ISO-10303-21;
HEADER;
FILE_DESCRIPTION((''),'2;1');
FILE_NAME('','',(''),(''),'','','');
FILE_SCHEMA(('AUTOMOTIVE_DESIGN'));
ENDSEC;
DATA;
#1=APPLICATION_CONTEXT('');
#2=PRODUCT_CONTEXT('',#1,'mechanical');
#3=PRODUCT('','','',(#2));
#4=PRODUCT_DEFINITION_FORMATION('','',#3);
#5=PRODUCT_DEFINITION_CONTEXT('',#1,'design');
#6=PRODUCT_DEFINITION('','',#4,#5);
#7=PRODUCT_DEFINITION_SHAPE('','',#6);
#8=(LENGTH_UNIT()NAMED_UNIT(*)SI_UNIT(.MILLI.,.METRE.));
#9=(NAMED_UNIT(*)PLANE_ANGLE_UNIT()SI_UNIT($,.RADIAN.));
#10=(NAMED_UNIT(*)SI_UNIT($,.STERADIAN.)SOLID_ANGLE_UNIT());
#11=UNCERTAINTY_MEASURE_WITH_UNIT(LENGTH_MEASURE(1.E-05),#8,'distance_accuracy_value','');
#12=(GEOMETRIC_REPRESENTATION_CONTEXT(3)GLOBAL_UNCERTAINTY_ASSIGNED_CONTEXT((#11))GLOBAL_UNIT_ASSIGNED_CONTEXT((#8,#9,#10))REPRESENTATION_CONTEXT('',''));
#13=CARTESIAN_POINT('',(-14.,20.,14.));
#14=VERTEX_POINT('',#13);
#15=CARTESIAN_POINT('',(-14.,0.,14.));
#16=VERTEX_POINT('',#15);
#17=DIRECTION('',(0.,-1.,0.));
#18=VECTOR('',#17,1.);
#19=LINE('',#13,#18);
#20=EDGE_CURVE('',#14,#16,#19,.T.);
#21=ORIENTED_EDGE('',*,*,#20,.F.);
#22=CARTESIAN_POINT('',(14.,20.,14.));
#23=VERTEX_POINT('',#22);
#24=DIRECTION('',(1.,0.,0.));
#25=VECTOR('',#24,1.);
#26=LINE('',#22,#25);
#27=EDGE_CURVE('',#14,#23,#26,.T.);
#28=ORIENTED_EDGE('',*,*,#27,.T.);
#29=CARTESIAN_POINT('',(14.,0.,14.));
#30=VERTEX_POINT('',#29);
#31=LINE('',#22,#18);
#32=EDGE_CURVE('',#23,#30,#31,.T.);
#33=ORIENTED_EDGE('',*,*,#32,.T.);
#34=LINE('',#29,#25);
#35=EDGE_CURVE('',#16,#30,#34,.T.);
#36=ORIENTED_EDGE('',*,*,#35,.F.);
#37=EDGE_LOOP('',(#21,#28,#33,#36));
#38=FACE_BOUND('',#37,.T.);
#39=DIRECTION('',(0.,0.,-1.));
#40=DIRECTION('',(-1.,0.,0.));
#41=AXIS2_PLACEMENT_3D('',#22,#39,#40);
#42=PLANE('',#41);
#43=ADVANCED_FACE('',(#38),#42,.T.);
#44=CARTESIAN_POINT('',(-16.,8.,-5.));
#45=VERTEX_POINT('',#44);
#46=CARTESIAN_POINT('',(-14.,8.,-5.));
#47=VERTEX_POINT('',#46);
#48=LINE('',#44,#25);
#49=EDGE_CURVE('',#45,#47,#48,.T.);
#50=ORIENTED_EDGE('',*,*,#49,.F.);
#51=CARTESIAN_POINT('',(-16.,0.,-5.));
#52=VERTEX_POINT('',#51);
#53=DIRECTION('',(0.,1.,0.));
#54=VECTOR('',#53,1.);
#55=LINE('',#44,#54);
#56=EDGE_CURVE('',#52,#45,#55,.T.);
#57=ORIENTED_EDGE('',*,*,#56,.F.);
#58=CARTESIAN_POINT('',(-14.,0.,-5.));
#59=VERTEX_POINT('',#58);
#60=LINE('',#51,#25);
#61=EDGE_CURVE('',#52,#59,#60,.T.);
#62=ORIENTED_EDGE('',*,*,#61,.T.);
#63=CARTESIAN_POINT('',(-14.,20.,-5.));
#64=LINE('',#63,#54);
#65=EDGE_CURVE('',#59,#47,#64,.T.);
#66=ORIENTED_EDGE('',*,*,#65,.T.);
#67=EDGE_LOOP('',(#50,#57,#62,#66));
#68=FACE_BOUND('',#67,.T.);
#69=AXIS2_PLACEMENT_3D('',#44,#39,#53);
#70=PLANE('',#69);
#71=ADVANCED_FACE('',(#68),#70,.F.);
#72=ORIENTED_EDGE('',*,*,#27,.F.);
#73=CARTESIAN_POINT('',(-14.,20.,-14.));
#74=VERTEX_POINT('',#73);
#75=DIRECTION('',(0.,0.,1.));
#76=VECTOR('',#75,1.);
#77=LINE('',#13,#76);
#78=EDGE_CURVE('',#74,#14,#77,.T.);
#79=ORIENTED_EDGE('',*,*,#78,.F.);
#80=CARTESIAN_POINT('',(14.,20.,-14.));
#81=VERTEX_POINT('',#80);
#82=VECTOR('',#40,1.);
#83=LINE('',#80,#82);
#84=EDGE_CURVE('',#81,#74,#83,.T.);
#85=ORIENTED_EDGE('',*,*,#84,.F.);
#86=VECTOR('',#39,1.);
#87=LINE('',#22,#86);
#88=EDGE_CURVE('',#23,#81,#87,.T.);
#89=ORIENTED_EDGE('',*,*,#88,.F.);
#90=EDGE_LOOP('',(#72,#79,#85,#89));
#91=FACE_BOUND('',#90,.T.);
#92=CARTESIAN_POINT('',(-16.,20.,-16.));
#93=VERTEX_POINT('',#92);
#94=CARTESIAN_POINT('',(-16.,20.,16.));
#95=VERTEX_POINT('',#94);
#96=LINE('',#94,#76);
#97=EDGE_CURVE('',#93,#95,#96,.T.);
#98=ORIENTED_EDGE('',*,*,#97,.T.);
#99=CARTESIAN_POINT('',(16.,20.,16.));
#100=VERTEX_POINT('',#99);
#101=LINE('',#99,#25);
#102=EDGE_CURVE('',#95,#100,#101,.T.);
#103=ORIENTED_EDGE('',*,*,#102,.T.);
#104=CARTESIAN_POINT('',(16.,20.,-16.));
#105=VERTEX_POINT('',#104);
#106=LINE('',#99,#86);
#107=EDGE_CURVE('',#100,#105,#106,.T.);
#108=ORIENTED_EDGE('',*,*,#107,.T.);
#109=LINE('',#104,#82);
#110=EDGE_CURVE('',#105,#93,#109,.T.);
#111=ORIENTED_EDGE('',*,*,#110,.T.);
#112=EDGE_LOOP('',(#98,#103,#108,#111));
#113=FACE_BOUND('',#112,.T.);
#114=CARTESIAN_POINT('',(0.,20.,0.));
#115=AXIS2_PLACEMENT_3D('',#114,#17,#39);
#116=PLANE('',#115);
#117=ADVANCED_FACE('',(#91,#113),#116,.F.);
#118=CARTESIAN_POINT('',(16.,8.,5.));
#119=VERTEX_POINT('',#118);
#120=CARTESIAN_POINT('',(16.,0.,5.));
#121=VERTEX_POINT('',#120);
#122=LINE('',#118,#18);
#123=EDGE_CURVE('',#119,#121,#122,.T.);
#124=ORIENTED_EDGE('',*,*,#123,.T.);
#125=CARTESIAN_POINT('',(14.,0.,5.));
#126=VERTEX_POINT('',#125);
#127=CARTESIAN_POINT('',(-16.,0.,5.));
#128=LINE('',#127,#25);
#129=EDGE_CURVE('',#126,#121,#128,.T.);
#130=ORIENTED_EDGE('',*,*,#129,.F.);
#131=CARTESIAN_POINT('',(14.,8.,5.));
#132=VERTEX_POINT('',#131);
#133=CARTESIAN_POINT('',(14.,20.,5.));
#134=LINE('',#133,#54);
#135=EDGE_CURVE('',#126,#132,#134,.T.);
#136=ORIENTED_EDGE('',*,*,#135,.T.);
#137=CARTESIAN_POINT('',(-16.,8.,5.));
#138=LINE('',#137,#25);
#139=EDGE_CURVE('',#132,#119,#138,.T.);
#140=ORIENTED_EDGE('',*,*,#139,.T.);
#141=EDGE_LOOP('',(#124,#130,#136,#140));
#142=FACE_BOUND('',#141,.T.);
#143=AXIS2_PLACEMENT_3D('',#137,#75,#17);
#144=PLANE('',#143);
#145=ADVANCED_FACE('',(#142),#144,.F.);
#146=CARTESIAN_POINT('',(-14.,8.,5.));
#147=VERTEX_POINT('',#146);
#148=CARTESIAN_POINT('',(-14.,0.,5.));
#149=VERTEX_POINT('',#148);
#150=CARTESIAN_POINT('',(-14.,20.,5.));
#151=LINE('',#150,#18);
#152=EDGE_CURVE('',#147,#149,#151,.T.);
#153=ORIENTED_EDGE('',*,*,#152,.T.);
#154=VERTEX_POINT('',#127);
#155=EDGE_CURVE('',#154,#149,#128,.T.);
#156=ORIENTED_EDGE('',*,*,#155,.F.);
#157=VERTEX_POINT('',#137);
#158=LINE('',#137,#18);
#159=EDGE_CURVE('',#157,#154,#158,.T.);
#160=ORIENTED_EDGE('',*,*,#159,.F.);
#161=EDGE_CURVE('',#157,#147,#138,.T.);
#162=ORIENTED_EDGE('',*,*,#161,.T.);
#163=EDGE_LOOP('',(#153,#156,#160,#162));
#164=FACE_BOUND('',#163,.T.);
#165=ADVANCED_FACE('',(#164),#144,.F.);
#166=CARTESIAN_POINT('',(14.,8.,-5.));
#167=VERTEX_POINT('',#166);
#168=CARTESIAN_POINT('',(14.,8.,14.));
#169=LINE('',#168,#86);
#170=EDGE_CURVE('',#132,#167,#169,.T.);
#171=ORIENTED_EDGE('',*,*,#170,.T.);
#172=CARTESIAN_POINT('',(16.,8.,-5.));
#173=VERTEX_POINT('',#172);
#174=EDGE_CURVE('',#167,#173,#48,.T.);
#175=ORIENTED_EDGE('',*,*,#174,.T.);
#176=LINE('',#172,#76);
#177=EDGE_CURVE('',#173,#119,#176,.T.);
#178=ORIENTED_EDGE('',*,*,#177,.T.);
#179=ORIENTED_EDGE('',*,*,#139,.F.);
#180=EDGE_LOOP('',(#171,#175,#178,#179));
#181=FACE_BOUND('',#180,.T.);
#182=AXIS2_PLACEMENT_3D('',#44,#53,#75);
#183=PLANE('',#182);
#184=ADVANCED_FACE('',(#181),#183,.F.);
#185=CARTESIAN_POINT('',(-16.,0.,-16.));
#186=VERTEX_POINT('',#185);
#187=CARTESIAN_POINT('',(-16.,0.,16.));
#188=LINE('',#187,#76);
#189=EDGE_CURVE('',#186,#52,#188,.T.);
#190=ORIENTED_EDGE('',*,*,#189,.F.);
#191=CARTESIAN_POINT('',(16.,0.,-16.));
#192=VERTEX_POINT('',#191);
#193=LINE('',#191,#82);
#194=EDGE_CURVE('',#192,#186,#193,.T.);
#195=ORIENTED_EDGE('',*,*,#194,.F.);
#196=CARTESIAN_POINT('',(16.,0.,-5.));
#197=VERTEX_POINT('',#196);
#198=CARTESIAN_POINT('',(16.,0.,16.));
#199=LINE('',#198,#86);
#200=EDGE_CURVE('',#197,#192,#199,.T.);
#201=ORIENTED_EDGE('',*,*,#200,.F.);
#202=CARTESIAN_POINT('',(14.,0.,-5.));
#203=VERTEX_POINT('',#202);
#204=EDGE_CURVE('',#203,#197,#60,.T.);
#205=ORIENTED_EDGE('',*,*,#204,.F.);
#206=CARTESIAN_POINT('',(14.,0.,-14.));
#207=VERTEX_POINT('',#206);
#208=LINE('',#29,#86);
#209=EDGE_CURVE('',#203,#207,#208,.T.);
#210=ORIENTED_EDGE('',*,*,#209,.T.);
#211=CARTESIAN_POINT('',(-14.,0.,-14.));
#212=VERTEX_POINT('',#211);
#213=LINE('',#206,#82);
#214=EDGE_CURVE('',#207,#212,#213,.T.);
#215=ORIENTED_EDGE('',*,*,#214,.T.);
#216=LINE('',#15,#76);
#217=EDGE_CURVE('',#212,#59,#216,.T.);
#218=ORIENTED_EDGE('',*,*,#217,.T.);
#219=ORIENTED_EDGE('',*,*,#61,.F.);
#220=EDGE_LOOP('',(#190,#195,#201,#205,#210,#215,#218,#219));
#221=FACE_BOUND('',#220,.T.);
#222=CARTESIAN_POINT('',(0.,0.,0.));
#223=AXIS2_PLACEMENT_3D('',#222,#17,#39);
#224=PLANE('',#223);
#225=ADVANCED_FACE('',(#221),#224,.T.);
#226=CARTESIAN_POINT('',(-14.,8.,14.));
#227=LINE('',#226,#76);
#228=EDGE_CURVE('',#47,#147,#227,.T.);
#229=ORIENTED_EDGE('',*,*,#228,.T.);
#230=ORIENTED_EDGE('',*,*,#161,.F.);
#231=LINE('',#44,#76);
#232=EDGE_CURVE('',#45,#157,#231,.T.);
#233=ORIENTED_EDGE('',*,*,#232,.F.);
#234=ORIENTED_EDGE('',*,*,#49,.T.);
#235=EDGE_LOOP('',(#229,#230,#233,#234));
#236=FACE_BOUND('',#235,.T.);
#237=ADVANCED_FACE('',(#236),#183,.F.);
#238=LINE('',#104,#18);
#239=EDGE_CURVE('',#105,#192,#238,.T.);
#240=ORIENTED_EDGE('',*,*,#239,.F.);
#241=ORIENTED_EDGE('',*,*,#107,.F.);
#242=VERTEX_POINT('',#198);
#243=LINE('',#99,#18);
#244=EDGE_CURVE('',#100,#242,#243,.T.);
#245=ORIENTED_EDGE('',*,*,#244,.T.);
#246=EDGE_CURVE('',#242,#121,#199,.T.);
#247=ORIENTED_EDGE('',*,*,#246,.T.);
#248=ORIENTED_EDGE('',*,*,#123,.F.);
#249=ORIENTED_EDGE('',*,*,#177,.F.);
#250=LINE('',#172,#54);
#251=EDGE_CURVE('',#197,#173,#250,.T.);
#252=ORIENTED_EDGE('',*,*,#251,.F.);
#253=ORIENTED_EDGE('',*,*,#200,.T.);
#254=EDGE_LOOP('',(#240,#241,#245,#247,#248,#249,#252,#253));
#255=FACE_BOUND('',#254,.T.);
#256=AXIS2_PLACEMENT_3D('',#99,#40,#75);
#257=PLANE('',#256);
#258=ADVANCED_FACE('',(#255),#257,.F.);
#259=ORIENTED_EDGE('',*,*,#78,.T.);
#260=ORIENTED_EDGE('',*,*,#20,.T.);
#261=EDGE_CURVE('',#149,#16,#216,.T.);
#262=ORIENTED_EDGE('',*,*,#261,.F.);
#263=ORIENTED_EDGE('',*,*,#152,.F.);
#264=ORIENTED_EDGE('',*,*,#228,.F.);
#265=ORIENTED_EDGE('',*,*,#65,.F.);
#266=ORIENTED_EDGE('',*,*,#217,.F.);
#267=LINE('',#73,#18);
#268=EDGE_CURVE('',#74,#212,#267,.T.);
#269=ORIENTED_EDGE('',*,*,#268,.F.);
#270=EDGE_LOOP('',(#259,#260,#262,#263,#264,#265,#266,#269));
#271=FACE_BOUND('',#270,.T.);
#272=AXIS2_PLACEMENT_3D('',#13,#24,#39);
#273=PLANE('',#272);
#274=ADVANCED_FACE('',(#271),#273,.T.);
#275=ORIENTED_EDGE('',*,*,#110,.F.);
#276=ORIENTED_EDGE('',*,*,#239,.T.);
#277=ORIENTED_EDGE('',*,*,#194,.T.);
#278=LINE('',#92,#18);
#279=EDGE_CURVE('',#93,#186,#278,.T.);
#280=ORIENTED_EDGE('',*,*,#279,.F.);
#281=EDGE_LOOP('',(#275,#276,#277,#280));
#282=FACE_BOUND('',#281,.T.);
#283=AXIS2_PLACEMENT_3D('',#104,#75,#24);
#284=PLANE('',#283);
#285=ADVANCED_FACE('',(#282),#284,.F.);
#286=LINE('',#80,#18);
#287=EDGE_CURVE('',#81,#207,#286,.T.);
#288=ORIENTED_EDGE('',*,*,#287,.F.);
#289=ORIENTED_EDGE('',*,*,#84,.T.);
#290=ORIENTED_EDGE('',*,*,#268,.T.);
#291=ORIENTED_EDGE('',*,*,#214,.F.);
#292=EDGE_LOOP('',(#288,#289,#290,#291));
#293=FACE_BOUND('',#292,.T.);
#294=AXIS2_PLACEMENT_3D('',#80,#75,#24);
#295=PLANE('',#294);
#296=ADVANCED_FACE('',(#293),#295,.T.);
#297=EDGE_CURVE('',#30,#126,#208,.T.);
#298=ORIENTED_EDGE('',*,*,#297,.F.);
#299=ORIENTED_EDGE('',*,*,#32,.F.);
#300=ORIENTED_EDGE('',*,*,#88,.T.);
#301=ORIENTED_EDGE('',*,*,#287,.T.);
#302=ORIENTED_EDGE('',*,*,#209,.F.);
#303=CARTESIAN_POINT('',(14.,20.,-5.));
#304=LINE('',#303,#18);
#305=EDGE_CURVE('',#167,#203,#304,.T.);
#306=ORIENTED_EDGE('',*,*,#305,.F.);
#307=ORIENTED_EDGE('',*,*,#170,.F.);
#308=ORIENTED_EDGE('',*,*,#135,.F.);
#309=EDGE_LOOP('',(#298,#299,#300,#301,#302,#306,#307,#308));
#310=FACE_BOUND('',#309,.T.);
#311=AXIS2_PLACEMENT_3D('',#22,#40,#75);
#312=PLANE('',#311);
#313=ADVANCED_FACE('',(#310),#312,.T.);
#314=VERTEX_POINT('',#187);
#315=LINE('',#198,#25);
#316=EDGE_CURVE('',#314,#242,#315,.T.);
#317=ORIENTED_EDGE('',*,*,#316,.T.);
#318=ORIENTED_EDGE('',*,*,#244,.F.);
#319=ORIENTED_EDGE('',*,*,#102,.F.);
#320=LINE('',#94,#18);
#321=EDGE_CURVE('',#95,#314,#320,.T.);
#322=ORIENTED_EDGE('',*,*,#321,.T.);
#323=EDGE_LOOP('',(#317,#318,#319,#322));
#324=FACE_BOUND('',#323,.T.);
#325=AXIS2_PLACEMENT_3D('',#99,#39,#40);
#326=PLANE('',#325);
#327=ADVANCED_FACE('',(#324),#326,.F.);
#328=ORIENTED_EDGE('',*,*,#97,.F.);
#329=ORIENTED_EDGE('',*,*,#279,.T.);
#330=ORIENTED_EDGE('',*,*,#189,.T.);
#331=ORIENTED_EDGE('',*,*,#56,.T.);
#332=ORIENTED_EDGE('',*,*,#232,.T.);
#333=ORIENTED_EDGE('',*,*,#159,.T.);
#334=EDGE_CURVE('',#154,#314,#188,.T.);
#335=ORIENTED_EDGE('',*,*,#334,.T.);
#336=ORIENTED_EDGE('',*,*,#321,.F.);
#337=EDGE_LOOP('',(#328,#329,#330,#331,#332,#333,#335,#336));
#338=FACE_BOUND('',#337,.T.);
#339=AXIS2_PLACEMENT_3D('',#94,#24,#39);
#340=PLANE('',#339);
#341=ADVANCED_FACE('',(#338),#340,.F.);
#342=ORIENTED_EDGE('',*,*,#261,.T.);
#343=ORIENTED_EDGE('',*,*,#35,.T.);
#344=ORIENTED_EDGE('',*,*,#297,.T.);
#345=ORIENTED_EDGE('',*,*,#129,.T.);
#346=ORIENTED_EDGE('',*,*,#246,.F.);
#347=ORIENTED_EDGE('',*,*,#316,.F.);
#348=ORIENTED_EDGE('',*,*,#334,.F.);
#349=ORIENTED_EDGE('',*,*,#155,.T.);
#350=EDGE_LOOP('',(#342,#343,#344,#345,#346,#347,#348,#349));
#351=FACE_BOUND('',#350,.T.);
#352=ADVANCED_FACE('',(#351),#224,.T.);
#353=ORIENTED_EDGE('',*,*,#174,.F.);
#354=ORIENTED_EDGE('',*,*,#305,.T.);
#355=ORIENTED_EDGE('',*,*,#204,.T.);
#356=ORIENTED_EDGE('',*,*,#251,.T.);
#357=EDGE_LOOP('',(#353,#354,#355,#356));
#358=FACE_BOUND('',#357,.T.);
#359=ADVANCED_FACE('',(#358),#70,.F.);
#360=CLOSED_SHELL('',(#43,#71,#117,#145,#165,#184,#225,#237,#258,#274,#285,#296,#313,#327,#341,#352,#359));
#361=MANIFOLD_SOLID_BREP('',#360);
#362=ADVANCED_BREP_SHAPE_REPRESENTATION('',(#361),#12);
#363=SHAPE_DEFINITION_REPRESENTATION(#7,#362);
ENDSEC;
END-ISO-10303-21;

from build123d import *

# Parameters (mm, degrees)
SKETCH1_W           = 32
SKETCH1_H           = 32
SKETCH1_W_2         = 28
SKETCH1_H_2         = 28
BOSS_EXTRUDE1_DEPTH = 20
SKETCH2_W           = 10
SKETCH2_H           = 8
CUT_EXTRUDE1_DEPTH  = 33


with BuildPart() as part:
    # Sketch1 → Boss-Extrude1 (new body)
    with BuildSketch(Plane(origin=(0, 0, 0), x_dir=(1, 0, 0), z_dir=(0, 1, 0))):
        Rectangle(SKETCH1_W, SKETCH1_H)
        Rectangle(SKETCH1_W_2, SKETCH1_H_2, mode=Mode.SUBTRACT)
    extrude(amount=BOSS_EXTRUDE1_DEPTH)

    # Sketch2 → Cut-Extrude1 (cut, through all)
    with BuildSketch(Plane(origin=(16, 0, 0), x_dir=(0, 0, -1), z_dir=(1, 0, 0))):
        with Locations((0, 4)):
            Rectangle(SKETCH2_W, SKETCH2_H)
    extrude(amount=-CUT_EXTRUDE1_DEPTH, mode=Mode.SUBTRACT)


solid = part.part
